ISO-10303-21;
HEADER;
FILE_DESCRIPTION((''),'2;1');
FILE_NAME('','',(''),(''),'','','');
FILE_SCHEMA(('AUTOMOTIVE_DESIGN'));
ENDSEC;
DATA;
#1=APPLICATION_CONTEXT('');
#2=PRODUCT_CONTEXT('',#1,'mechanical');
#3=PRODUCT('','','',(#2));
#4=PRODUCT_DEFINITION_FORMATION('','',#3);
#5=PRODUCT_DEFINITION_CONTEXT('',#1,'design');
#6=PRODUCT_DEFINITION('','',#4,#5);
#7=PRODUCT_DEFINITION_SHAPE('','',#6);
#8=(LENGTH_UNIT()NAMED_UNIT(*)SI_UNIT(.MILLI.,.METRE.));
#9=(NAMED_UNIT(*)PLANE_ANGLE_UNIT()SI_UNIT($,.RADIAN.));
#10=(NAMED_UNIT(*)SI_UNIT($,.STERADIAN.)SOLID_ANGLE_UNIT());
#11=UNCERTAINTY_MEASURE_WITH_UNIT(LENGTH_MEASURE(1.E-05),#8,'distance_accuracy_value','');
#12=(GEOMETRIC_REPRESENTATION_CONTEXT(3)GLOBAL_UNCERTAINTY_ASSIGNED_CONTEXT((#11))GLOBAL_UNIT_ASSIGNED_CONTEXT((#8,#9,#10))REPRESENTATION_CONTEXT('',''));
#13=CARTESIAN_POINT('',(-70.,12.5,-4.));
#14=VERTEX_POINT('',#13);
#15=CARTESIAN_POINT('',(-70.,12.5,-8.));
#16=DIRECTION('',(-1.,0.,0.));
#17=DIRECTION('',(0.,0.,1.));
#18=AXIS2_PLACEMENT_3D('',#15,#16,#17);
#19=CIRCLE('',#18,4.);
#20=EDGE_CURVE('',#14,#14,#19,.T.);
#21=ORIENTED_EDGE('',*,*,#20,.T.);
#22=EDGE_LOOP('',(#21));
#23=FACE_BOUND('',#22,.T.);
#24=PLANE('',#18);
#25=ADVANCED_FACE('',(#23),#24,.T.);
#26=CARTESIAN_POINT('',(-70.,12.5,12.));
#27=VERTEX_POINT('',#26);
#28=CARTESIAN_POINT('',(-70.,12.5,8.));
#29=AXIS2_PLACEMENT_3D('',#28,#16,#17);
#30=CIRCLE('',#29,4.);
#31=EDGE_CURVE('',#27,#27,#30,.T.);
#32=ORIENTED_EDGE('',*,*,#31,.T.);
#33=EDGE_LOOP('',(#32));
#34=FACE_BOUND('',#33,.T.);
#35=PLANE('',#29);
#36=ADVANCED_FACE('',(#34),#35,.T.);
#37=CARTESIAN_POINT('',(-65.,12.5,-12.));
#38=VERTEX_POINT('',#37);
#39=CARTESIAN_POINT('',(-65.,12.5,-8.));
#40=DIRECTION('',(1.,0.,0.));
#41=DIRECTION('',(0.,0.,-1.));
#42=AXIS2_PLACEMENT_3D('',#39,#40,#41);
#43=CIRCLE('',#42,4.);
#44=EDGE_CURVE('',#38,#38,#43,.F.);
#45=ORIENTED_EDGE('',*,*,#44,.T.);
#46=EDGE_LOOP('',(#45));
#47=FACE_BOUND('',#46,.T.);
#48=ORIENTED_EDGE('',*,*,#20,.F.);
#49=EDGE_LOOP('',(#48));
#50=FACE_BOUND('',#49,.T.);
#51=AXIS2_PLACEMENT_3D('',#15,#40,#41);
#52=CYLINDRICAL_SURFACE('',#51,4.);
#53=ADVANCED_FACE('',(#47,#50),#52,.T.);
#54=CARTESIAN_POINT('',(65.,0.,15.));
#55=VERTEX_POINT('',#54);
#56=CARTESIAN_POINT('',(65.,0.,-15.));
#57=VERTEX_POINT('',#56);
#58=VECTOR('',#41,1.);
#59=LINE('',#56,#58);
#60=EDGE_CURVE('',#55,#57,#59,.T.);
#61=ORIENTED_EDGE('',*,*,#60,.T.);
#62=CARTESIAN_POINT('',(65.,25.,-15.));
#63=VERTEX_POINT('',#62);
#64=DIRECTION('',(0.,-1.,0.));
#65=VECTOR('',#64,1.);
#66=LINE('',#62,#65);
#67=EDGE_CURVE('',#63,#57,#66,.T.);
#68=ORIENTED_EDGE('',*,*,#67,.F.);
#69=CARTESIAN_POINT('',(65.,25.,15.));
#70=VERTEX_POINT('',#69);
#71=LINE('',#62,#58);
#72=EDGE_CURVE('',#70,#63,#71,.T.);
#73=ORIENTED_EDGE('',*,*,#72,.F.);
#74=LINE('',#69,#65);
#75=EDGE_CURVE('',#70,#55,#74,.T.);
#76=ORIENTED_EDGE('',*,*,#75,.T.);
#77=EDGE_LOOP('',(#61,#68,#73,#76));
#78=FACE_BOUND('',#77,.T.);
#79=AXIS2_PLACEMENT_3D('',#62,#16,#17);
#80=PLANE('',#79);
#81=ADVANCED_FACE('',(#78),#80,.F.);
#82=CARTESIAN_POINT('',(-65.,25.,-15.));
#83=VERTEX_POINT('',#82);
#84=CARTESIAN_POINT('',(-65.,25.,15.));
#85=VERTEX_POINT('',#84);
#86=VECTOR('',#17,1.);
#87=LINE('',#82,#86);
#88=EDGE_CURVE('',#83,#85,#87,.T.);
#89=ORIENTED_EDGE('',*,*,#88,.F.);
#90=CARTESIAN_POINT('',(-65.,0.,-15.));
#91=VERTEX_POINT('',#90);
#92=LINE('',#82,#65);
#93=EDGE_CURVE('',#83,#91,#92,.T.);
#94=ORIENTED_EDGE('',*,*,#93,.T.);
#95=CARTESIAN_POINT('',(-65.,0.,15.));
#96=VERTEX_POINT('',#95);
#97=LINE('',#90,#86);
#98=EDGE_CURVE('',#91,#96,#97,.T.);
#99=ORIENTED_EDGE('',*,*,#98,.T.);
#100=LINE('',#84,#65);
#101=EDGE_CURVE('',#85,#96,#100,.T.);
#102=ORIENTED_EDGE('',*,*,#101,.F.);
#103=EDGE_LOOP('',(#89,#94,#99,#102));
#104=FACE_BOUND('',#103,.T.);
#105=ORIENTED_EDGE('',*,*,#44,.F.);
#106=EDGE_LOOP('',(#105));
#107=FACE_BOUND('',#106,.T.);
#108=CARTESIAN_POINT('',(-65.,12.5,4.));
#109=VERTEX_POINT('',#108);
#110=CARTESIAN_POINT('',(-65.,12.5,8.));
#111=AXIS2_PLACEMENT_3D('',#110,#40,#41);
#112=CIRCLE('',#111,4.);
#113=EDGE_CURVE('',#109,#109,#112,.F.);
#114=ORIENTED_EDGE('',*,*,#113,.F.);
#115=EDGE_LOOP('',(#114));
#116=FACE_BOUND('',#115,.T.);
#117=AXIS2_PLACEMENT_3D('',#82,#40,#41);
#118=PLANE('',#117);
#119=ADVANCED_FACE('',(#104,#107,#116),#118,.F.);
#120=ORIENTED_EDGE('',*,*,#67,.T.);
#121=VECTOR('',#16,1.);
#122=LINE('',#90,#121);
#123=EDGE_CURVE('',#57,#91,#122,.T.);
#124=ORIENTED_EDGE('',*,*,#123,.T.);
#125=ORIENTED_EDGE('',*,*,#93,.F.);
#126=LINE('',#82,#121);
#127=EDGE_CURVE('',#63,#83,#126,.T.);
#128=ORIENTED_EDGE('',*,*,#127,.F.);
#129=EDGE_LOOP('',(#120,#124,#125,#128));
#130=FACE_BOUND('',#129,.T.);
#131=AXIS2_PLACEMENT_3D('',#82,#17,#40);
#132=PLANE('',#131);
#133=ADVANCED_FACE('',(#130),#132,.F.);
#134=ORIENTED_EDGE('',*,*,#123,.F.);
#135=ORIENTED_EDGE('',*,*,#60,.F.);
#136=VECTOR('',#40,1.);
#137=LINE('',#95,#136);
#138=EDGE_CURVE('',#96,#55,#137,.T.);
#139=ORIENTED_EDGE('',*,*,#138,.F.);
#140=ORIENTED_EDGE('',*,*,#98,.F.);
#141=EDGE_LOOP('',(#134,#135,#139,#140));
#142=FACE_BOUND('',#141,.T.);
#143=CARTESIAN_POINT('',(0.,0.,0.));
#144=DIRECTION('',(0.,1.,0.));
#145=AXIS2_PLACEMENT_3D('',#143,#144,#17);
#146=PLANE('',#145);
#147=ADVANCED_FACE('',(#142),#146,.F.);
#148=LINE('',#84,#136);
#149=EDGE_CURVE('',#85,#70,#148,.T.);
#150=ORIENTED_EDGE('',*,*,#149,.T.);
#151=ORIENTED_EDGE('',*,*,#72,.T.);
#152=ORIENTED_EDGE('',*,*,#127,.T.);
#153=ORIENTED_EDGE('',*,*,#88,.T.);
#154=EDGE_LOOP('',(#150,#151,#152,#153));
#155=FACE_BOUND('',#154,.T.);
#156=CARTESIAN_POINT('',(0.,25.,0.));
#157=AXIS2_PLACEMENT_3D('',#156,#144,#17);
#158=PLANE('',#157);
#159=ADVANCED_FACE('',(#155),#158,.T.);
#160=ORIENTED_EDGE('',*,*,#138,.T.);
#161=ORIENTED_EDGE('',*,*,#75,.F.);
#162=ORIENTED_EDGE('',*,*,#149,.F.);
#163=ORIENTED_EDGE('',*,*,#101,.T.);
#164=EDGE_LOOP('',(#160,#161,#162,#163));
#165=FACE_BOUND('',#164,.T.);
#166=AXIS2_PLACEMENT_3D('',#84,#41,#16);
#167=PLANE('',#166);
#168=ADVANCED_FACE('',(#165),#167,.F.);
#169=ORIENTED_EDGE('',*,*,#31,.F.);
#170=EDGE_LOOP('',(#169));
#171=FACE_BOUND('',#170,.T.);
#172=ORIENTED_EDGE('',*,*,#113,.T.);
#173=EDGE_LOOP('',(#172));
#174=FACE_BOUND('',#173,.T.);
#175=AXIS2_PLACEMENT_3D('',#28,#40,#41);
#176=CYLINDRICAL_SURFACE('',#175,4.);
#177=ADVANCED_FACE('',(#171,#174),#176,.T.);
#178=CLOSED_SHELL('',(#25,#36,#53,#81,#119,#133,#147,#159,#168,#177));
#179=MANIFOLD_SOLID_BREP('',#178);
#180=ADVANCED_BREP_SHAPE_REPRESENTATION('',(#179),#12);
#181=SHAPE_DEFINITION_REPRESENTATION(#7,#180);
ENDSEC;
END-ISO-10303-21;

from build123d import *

# Parameters (mm, degrees)
SKETCH_1_W      = 130
SKETCH_1_H      = 30
EXTRUDE_1_DEPTH = 25
SKETCH_2_R      = 4
EXTRUDE_2_DEPTH = 5


with BuildPart() as part:
    # 草图1 → 凸台-拉伸1 (new body)
    with BuildSketch(Plane(origin=(0, 0, 0), x_dir=(1, 0, 0), z_dir=(0, 1, 0))):
        Rectangle(SKETCH_1_W, SKETCH_1_H)
    extrude(amount=EXTRUDE_1_DEPTH)

    # 草图2 → 凸台-拉伸2 (add)
    with BuildSketch(Plane.ZY.offset(65)):
        with Locations(Location((-8, 12.5, 0), (0, 0, 180))):
            Circle(SKETCH_2_R)
        with Locations(Location((8, 12.5, 0), (0, 0, 180))):
            Circle(SKETCH_2_R)
    extrude(amount=EXTRUDE_2_DEPTH)


solid = part.part
